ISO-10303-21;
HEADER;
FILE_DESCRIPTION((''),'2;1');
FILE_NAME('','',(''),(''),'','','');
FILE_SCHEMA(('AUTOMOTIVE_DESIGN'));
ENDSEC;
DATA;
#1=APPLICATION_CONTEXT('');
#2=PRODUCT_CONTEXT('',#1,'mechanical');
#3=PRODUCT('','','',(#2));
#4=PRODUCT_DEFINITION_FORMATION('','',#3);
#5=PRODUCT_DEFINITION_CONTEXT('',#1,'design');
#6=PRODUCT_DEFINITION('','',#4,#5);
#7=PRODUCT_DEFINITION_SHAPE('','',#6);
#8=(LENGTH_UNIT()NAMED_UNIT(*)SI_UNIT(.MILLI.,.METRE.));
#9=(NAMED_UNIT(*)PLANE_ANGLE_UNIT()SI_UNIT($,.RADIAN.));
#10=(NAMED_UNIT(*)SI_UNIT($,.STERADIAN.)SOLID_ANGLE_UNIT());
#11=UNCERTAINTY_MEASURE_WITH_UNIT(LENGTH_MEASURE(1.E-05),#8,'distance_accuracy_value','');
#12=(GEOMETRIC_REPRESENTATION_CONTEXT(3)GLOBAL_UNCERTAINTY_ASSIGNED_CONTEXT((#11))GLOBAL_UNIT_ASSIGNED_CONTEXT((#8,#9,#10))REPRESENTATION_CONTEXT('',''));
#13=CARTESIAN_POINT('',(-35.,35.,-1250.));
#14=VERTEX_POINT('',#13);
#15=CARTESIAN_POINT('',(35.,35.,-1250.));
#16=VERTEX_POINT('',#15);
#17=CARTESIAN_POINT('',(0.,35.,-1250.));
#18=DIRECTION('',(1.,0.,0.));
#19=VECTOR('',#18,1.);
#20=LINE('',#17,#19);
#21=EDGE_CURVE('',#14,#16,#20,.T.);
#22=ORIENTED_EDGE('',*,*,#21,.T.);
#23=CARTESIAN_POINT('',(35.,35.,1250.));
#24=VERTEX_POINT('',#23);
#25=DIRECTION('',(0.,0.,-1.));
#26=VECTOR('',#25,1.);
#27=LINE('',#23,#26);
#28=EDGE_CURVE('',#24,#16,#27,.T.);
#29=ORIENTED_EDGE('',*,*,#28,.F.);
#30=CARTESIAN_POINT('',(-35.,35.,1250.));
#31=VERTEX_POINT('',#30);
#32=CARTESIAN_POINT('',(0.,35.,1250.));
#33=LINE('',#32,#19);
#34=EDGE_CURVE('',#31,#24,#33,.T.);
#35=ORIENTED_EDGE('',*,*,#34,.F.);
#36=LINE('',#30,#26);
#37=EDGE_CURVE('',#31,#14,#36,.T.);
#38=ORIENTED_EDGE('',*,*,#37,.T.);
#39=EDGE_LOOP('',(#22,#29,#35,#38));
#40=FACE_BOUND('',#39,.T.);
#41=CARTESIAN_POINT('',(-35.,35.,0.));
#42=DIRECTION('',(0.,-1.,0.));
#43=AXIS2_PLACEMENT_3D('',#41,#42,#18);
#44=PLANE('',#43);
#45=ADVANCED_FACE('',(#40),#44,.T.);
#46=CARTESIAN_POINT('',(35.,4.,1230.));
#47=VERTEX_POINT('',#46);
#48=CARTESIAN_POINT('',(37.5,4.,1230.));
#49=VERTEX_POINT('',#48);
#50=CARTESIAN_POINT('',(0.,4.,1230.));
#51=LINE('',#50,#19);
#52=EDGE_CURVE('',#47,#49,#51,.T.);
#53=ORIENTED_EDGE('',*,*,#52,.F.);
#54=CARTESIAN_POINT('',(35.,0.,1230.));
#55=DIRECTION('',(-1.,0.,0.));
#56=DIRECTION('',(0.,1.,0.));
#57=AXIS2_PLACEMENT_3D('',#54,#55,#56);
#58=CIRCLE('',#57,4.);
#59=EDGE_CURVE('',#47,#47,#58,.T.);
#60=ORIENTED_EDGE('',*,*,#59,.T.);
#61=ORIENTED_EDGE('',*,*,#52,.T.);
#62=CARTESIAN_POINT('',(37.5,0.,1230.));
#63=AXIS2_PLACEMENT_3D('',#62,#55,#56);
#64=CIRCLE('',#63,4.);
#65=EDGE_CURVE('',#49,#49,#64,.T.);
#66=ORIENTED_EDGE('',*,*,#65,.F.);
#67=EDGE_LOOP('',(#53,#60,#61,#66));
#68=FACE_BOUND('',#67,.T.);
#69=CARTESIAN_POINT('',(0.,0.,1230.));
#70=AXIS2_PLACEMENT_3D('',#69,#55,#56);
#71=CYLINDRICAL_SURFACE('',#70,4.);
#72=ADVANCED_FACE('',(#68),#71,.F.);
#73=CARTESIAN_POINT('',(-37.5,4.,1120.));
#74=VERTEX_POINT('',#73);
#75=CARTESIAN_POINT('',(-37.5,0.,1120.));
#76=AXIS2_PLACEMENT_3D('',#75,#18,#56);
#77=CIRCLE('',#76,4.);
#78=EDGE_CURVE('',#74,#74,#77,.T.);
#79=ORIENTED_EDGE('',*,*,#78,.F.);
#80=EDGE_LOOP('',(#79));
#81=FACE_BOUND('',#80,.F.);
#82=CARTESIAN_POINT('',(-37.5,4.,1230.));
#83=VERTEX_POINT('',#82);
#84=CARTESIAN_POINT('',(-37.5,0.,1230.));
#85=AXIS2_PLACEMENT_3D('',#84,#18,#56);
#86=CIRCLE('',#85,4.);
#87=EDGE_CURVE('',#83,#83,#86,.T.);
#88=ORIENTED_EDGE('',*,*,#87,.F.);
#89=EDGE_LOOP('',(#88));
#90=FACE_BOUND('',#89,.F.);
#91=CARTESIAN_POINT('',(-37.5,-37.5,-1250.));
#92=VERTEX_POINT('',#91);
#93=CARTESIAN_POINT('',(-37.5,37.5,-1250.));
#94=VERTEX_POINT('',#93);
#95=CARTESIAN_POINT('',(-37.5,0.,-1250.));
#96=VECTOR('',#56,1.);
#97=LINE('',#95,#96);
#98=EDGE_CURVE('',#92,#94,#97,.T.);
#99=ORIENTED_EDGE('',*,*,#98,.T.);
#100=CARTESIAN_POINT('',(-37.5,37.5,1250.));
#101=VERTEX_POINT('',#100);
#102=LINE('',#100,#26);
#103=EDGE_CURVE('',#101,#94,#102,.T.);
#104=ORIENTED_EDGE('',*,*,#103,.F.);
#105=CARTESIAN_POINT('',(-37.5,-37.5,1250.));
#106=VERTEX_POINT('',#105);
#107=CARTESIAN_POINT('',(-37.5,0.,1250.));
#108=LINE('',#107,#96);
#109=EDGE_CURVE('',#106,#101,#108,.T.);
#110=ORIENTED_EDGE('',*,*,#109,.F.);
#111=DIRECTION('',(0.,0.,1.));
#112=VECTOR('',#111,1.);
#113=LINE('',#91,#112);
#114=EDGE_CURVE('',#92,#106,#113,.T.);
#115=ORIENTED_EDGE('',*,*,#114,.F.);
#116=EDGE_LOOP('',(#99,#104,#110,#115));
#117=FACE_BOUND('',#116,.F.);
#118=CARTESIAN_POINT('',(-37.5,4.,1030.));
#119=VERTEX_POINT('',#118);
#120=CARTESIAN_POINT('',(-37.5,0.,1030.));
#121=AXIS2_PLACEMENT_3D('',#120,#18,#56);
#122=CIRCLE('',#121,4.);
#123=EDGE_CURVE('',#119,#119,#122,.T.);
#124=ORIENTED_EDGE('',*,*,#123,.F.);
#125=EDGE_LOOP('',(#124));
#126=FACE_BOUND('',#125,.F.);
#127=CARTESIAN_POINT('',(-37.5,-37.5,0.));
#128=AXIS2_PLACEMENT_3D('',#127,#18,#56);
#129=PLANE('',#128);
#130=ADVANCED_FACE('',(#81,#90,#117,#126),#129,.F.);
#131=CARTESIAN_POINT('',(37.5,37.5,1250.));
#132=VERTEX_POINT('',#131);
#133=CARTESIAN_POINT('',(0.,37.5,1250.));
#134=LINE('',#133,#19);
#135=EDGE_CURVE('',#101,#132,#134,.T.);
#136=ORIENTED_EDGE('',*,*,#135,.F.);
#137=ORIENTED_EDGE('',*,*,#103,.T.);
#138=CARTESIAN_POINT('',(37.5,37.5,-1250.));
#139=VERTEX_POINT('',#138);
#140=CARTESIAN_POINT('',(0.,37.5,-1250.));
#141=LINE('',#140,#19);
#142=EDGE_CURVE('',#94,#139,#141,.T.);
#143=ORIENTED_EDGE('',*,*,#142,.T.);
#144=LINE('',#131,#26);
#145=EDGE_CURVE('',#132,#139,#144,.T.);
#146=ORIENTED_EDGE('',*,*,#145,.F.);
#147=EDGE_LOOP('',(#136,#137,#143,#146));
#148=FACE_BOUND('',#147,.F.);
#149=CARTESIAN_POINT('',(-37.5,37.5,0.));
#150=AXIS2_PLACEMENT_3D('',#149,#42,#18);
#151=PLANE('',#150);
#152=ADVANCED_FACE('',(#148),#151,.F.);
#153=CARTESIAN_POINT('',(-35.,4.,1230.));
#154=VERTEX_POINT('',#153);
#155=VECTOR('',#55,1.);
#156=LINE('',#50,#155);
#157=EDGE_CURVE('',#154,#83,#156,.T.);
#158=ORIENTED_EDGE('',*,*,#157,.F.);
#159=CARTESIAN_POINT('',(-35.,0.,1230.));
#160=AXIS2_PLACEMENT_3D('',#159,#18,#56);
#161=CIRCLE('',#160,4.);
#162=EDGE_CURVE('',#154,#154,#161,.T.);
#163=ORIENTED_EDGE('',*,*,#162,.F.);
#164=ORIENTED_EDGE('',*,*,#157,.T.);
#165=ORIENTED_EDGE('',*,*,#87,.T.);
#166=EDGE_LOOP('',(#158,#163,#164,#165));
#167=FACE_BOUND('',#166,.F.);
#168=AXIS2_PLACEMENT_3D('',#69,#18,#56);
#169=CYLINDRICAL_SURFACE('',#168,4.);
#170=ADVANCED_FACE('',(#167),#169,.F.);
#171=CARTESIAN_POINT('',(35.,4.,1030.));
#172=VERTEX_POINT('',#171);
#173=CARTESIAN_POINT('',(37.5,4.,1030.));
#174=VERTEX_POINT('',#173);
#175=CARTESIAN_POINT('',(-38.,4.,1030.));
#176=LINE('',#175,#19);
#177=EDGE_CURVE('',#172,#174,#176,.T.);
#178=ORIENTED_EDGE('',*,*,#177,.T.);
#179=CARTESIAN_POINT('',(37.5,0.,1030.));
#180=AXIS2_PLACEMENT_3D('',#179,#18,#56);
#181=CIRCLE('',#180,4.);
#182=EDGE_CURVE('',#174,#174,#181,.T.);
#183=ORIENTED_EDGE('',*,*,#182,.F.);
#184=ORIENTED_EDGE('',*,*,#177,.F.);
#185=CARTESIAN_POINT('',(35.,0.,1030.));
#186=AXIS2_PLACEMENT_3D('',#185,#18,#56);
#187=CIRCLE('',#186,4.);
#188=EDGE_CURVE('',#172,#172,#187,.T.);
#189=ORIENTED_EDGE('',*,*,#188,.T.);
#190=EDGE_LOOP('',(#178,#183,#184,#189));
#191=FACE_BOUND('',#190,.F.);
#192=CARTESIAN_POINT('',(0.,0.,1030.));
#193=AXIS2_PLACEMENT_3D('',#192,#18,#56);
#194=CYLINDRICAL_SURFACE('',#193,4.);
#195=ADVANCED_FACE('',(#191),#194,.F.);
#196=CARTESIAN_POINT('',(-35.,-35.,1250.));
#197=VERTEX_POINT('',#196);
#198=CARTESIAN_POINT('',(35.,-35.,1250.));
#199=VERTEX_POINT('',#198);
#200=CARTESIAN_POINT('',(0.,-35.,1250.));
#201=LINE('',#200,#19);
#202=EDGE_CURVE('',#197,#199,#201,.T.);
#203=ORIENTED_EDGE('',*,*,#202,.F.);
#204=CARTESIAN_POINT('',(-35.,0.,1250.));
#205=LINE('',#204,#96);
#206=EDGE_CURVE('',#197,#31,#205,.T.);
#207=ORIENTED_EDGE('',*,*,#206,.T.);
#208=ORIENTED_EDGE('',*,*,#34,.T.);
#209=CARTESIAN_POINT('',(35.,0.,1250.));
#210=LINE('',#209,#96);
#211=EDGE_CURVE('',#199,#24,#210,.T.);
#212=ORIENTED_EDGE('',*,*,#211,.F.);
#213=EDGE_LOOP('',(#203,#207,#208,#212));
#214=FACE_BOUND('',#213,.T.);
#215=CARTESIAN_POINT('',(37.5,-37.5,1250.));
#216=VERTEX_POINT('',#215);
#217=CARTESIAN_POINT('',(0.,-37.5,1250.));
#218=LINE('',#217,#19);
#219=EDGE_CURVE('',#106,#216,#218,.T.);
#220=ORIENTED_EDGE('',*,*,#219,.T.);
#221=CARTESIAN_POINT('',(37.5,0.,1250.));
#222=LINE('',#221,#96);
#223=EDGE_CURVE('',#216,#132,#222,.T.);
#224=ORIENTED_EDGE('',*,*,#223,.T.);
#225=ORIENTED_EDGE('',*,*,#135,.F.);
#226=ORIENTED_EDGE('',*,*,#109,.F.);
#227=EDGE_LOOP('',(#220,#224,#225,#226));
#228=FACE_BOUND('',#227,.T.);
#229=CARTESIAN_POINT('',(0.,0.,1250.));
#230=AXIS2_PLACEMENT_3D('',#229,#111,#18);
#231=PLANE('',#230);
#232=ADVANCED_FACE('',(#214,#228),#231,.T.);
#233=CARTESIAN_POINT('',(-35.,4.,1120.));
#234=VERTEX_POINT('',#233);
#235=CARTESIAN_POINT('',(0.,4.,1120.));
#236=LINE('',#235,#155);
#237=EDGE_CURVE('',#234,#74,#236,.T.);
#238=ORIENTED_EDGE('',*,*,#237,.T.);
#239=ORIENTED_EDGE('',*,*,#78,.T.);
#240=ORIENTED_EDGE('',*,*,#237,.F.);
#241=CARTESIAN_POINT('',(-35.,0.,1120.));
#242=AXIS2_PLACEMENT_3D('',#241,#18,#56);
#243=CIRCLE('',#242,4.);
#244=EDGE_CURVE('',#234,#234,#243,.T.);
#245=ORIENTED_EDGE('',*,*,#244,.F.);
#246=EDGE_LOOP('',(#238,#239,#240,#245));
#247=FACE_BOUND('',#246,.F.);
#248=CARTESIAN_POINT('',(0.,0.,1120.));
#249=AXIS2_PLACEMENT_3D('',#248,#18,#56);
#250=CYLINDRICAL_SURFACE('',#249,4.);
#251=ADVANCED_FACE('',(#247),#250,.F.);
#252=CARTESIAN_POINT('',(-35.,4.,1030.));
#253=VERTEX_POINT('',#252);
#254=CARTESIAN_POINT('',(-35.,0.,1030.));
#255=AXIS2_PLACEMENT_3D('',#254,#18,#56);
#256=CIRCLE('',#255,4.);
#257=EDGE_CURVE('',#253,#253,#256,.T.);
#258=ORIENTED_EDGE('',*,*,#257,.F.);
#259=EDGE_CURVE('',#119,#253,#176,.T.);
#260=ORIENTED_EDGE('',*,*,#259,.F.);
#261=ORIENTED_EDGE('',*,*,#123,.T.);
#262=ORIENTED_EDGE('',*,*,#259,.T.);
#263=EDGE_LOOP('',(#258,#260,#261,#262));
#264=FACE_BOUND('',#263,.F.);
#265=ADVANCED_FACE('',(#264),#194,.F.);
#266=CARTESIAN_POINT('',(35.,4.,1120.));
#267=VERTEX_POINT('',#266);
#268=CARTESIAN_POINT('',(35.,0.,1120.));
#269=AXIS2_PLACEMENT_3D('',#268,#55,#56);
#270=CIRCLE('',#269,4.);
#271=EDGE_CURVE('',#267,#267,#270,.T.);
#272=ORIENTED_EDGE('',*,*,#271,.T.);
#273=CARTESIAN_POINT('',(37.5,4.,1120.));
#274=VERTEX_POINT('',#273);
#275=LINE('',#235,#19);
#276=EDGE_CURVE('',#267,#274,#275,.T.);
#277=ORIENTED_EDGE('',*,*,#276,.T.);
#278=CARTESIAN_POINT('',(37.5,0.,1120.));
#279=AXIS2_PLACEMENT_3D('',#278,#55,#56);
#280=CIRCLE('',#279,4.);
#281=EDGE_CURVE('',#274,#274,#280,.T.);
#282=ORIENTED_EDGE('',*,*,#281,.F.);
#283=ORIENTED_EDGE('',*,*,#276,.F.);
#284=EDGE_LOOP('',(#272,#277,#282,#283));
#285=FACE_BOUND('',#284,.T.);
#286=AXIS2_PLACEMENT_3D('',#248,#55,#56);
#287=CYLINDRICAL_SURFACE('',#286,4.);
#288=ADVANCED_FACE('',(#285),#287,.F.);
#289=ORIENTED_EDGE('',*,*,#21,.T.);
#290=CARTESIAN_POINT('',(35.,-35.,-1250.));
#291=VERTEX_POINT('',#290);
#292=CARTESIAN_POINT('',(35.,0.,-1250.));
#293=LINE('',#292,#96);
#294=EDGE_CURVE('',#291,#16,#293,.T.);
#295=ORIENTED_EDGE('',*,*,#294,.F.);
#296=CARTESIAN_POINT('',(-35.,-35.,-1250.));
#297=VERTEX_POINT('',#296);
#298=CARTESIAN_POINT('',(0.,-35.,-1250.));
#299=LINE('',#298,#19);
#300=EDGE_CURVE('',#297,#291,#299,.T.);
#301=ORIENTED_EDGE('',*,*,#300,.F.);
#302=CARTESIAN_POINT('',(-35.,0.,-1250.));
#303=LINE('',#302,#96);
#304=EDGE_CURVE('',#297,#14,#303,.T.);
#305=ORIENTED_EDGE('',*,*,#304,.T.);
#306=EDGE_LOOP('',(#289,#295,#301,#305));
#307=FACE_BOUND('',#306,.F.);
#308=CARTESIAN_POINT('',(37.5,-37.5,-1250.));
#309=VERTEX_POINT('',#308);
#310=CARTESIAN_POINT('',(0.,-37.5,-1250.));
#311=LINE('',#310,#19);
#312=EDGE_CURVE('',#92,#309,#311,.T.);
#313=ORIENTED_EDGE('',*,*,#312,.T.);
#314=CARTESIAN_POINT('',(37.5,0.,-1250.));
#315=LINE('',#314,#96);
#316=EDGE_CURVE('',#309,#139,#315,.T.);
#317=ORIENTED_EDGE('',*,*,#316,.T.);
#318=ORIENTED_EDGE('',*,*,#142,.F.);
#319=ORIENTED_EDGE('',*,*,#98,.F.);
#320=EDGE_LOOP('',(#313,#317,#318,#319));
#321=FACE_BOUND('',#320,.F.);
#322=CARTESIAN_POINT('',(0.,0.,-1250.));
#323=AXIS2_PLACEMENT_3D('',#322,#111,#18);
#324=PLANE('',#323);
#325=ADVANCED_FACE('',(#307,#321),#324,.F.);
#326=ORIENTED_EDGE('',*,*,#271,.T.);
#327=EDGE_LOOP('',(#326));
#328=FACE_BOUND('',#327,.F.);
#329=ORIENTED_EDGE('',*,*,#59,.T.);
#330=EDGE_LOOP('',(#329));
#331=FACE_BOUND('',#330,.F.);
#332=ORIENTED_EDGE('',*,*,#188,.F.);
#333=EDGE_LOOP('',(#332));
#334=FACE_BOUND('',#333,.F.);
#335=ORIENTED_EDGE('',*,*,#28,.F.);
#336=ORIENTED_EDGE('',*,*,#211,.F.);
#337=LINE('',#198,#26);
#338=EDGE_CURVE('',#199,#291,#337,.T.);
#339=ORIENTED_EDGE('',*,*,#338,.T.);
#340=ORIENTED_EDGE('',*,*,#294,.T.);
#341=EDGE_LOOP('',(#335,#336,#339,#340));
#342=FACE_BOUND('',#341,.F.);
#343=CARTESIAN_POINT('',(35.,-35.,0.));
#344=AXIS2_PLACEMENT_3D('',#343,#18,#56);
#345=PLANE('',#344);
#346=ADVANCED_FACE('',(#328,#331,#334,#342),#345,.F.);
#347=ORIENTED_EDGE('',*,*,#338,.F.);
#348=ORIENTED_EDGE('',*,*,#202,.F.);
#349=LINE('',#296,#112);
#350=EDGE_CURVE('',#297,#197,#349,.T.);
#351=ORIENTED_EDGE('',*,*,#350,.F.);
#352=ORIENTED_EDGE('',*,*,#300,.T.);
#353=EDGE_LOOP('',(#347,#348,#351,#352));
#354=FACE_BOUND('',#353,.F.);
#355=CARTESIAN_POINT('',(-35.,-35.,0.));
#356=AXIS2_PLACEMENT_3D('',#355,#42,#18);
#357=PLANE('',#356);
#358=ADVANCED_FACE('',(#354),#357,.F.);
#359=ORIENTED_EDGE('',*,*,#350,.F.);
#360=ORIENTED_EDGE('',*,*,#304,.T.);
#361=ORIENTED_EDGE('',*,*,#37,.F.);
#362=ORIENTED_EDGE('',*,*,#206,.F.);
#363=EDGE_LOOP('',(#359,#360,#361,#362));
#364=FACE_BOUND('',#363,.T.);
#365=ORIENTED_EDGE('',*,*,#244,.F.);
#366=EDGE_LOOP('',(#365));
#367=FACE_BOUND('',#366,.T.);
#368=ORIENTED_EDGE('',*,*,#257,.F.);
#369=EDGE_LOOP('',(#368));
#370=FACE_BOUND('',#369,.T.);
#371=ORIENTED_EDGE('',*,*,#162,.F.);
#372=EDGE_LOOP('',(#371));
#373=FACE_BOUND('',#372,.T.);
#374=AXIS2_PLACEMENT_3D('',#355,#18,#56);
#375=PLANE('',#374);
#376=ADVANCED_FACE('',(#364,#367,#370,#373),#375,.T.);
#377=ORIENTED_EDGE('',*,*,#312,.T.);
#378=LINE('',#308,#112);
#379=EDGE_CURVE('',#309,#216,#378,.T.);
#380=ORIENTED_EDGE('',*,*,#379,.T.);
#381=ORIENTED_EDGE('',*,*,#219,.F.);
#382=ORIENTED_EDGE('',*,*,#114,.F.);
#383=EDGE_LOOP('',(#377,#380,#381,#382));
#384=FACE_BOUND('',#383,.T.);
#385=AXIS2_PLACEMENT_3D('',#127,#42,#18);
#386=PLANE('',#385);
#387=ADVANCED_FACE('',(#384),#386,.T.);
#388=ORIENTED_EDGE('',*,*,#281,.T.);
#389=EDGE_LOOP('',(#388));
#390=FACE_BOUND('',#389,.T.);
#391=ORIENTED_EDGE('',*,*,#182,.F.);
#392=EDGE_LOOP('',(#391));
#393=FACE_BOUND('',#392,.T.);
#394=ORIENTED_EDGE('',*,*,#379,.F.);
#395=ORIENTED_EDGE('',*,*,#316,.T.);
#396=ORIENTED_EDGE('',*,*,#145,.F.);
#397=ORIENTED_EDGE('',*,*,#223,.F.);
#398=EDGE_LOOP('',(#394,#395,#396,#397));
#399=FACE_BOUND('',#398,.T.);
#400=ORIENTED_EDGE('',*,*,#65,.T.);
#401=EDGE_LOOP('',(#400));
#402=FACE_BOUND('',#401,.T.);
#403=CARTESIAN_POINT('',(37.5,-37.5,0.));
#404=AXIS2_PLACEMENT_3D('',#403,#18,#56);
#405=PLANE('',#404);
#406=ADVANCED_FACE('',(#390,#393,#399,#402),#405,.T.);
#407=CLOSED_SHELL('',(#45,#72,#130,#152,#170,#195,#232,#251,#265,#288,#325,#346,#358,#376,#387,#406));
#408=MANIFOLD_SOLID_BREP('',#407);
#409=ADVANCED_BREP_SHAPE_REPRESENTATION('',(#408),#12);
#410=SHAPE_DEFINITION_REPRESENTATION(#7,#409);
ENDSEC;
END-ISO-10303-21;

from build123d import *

# Parameters (mm, degrees)
F0_W     = 75
F0_H     = 75
F0_W_2   = 70
F0_H_2   = 70
F1_DEPTH = 1250
F2_R     = 4
F3_DEPTH = 38


with BuildPart() as f1:
    # F0 (on Top) → F1 (new body, symmetric)
    with BuildSketch(Plane.XY):
        Rectangle(F0_W, F0_H)
        Rectangle(F0_W_2, F0_H_2, mode=Mode.SUBTRACT)
    extrude(amount=F1_DEPTH, both=True)

    # F2 (on Right) → F3 (cut, symmetric)
    with BuildSketch(Plane.YZ):
        with Locations((0, 1230)):
            Circle(F2_R)
        with Locations((0, 1120)):
            Circle(F2_R)
        with Locations((0, 1030)):
            Circle(F2_R)
    extrude(amount=F3_DEPTH, both=True, mode=Mode.SUBTRACT)


solid = f1.part
